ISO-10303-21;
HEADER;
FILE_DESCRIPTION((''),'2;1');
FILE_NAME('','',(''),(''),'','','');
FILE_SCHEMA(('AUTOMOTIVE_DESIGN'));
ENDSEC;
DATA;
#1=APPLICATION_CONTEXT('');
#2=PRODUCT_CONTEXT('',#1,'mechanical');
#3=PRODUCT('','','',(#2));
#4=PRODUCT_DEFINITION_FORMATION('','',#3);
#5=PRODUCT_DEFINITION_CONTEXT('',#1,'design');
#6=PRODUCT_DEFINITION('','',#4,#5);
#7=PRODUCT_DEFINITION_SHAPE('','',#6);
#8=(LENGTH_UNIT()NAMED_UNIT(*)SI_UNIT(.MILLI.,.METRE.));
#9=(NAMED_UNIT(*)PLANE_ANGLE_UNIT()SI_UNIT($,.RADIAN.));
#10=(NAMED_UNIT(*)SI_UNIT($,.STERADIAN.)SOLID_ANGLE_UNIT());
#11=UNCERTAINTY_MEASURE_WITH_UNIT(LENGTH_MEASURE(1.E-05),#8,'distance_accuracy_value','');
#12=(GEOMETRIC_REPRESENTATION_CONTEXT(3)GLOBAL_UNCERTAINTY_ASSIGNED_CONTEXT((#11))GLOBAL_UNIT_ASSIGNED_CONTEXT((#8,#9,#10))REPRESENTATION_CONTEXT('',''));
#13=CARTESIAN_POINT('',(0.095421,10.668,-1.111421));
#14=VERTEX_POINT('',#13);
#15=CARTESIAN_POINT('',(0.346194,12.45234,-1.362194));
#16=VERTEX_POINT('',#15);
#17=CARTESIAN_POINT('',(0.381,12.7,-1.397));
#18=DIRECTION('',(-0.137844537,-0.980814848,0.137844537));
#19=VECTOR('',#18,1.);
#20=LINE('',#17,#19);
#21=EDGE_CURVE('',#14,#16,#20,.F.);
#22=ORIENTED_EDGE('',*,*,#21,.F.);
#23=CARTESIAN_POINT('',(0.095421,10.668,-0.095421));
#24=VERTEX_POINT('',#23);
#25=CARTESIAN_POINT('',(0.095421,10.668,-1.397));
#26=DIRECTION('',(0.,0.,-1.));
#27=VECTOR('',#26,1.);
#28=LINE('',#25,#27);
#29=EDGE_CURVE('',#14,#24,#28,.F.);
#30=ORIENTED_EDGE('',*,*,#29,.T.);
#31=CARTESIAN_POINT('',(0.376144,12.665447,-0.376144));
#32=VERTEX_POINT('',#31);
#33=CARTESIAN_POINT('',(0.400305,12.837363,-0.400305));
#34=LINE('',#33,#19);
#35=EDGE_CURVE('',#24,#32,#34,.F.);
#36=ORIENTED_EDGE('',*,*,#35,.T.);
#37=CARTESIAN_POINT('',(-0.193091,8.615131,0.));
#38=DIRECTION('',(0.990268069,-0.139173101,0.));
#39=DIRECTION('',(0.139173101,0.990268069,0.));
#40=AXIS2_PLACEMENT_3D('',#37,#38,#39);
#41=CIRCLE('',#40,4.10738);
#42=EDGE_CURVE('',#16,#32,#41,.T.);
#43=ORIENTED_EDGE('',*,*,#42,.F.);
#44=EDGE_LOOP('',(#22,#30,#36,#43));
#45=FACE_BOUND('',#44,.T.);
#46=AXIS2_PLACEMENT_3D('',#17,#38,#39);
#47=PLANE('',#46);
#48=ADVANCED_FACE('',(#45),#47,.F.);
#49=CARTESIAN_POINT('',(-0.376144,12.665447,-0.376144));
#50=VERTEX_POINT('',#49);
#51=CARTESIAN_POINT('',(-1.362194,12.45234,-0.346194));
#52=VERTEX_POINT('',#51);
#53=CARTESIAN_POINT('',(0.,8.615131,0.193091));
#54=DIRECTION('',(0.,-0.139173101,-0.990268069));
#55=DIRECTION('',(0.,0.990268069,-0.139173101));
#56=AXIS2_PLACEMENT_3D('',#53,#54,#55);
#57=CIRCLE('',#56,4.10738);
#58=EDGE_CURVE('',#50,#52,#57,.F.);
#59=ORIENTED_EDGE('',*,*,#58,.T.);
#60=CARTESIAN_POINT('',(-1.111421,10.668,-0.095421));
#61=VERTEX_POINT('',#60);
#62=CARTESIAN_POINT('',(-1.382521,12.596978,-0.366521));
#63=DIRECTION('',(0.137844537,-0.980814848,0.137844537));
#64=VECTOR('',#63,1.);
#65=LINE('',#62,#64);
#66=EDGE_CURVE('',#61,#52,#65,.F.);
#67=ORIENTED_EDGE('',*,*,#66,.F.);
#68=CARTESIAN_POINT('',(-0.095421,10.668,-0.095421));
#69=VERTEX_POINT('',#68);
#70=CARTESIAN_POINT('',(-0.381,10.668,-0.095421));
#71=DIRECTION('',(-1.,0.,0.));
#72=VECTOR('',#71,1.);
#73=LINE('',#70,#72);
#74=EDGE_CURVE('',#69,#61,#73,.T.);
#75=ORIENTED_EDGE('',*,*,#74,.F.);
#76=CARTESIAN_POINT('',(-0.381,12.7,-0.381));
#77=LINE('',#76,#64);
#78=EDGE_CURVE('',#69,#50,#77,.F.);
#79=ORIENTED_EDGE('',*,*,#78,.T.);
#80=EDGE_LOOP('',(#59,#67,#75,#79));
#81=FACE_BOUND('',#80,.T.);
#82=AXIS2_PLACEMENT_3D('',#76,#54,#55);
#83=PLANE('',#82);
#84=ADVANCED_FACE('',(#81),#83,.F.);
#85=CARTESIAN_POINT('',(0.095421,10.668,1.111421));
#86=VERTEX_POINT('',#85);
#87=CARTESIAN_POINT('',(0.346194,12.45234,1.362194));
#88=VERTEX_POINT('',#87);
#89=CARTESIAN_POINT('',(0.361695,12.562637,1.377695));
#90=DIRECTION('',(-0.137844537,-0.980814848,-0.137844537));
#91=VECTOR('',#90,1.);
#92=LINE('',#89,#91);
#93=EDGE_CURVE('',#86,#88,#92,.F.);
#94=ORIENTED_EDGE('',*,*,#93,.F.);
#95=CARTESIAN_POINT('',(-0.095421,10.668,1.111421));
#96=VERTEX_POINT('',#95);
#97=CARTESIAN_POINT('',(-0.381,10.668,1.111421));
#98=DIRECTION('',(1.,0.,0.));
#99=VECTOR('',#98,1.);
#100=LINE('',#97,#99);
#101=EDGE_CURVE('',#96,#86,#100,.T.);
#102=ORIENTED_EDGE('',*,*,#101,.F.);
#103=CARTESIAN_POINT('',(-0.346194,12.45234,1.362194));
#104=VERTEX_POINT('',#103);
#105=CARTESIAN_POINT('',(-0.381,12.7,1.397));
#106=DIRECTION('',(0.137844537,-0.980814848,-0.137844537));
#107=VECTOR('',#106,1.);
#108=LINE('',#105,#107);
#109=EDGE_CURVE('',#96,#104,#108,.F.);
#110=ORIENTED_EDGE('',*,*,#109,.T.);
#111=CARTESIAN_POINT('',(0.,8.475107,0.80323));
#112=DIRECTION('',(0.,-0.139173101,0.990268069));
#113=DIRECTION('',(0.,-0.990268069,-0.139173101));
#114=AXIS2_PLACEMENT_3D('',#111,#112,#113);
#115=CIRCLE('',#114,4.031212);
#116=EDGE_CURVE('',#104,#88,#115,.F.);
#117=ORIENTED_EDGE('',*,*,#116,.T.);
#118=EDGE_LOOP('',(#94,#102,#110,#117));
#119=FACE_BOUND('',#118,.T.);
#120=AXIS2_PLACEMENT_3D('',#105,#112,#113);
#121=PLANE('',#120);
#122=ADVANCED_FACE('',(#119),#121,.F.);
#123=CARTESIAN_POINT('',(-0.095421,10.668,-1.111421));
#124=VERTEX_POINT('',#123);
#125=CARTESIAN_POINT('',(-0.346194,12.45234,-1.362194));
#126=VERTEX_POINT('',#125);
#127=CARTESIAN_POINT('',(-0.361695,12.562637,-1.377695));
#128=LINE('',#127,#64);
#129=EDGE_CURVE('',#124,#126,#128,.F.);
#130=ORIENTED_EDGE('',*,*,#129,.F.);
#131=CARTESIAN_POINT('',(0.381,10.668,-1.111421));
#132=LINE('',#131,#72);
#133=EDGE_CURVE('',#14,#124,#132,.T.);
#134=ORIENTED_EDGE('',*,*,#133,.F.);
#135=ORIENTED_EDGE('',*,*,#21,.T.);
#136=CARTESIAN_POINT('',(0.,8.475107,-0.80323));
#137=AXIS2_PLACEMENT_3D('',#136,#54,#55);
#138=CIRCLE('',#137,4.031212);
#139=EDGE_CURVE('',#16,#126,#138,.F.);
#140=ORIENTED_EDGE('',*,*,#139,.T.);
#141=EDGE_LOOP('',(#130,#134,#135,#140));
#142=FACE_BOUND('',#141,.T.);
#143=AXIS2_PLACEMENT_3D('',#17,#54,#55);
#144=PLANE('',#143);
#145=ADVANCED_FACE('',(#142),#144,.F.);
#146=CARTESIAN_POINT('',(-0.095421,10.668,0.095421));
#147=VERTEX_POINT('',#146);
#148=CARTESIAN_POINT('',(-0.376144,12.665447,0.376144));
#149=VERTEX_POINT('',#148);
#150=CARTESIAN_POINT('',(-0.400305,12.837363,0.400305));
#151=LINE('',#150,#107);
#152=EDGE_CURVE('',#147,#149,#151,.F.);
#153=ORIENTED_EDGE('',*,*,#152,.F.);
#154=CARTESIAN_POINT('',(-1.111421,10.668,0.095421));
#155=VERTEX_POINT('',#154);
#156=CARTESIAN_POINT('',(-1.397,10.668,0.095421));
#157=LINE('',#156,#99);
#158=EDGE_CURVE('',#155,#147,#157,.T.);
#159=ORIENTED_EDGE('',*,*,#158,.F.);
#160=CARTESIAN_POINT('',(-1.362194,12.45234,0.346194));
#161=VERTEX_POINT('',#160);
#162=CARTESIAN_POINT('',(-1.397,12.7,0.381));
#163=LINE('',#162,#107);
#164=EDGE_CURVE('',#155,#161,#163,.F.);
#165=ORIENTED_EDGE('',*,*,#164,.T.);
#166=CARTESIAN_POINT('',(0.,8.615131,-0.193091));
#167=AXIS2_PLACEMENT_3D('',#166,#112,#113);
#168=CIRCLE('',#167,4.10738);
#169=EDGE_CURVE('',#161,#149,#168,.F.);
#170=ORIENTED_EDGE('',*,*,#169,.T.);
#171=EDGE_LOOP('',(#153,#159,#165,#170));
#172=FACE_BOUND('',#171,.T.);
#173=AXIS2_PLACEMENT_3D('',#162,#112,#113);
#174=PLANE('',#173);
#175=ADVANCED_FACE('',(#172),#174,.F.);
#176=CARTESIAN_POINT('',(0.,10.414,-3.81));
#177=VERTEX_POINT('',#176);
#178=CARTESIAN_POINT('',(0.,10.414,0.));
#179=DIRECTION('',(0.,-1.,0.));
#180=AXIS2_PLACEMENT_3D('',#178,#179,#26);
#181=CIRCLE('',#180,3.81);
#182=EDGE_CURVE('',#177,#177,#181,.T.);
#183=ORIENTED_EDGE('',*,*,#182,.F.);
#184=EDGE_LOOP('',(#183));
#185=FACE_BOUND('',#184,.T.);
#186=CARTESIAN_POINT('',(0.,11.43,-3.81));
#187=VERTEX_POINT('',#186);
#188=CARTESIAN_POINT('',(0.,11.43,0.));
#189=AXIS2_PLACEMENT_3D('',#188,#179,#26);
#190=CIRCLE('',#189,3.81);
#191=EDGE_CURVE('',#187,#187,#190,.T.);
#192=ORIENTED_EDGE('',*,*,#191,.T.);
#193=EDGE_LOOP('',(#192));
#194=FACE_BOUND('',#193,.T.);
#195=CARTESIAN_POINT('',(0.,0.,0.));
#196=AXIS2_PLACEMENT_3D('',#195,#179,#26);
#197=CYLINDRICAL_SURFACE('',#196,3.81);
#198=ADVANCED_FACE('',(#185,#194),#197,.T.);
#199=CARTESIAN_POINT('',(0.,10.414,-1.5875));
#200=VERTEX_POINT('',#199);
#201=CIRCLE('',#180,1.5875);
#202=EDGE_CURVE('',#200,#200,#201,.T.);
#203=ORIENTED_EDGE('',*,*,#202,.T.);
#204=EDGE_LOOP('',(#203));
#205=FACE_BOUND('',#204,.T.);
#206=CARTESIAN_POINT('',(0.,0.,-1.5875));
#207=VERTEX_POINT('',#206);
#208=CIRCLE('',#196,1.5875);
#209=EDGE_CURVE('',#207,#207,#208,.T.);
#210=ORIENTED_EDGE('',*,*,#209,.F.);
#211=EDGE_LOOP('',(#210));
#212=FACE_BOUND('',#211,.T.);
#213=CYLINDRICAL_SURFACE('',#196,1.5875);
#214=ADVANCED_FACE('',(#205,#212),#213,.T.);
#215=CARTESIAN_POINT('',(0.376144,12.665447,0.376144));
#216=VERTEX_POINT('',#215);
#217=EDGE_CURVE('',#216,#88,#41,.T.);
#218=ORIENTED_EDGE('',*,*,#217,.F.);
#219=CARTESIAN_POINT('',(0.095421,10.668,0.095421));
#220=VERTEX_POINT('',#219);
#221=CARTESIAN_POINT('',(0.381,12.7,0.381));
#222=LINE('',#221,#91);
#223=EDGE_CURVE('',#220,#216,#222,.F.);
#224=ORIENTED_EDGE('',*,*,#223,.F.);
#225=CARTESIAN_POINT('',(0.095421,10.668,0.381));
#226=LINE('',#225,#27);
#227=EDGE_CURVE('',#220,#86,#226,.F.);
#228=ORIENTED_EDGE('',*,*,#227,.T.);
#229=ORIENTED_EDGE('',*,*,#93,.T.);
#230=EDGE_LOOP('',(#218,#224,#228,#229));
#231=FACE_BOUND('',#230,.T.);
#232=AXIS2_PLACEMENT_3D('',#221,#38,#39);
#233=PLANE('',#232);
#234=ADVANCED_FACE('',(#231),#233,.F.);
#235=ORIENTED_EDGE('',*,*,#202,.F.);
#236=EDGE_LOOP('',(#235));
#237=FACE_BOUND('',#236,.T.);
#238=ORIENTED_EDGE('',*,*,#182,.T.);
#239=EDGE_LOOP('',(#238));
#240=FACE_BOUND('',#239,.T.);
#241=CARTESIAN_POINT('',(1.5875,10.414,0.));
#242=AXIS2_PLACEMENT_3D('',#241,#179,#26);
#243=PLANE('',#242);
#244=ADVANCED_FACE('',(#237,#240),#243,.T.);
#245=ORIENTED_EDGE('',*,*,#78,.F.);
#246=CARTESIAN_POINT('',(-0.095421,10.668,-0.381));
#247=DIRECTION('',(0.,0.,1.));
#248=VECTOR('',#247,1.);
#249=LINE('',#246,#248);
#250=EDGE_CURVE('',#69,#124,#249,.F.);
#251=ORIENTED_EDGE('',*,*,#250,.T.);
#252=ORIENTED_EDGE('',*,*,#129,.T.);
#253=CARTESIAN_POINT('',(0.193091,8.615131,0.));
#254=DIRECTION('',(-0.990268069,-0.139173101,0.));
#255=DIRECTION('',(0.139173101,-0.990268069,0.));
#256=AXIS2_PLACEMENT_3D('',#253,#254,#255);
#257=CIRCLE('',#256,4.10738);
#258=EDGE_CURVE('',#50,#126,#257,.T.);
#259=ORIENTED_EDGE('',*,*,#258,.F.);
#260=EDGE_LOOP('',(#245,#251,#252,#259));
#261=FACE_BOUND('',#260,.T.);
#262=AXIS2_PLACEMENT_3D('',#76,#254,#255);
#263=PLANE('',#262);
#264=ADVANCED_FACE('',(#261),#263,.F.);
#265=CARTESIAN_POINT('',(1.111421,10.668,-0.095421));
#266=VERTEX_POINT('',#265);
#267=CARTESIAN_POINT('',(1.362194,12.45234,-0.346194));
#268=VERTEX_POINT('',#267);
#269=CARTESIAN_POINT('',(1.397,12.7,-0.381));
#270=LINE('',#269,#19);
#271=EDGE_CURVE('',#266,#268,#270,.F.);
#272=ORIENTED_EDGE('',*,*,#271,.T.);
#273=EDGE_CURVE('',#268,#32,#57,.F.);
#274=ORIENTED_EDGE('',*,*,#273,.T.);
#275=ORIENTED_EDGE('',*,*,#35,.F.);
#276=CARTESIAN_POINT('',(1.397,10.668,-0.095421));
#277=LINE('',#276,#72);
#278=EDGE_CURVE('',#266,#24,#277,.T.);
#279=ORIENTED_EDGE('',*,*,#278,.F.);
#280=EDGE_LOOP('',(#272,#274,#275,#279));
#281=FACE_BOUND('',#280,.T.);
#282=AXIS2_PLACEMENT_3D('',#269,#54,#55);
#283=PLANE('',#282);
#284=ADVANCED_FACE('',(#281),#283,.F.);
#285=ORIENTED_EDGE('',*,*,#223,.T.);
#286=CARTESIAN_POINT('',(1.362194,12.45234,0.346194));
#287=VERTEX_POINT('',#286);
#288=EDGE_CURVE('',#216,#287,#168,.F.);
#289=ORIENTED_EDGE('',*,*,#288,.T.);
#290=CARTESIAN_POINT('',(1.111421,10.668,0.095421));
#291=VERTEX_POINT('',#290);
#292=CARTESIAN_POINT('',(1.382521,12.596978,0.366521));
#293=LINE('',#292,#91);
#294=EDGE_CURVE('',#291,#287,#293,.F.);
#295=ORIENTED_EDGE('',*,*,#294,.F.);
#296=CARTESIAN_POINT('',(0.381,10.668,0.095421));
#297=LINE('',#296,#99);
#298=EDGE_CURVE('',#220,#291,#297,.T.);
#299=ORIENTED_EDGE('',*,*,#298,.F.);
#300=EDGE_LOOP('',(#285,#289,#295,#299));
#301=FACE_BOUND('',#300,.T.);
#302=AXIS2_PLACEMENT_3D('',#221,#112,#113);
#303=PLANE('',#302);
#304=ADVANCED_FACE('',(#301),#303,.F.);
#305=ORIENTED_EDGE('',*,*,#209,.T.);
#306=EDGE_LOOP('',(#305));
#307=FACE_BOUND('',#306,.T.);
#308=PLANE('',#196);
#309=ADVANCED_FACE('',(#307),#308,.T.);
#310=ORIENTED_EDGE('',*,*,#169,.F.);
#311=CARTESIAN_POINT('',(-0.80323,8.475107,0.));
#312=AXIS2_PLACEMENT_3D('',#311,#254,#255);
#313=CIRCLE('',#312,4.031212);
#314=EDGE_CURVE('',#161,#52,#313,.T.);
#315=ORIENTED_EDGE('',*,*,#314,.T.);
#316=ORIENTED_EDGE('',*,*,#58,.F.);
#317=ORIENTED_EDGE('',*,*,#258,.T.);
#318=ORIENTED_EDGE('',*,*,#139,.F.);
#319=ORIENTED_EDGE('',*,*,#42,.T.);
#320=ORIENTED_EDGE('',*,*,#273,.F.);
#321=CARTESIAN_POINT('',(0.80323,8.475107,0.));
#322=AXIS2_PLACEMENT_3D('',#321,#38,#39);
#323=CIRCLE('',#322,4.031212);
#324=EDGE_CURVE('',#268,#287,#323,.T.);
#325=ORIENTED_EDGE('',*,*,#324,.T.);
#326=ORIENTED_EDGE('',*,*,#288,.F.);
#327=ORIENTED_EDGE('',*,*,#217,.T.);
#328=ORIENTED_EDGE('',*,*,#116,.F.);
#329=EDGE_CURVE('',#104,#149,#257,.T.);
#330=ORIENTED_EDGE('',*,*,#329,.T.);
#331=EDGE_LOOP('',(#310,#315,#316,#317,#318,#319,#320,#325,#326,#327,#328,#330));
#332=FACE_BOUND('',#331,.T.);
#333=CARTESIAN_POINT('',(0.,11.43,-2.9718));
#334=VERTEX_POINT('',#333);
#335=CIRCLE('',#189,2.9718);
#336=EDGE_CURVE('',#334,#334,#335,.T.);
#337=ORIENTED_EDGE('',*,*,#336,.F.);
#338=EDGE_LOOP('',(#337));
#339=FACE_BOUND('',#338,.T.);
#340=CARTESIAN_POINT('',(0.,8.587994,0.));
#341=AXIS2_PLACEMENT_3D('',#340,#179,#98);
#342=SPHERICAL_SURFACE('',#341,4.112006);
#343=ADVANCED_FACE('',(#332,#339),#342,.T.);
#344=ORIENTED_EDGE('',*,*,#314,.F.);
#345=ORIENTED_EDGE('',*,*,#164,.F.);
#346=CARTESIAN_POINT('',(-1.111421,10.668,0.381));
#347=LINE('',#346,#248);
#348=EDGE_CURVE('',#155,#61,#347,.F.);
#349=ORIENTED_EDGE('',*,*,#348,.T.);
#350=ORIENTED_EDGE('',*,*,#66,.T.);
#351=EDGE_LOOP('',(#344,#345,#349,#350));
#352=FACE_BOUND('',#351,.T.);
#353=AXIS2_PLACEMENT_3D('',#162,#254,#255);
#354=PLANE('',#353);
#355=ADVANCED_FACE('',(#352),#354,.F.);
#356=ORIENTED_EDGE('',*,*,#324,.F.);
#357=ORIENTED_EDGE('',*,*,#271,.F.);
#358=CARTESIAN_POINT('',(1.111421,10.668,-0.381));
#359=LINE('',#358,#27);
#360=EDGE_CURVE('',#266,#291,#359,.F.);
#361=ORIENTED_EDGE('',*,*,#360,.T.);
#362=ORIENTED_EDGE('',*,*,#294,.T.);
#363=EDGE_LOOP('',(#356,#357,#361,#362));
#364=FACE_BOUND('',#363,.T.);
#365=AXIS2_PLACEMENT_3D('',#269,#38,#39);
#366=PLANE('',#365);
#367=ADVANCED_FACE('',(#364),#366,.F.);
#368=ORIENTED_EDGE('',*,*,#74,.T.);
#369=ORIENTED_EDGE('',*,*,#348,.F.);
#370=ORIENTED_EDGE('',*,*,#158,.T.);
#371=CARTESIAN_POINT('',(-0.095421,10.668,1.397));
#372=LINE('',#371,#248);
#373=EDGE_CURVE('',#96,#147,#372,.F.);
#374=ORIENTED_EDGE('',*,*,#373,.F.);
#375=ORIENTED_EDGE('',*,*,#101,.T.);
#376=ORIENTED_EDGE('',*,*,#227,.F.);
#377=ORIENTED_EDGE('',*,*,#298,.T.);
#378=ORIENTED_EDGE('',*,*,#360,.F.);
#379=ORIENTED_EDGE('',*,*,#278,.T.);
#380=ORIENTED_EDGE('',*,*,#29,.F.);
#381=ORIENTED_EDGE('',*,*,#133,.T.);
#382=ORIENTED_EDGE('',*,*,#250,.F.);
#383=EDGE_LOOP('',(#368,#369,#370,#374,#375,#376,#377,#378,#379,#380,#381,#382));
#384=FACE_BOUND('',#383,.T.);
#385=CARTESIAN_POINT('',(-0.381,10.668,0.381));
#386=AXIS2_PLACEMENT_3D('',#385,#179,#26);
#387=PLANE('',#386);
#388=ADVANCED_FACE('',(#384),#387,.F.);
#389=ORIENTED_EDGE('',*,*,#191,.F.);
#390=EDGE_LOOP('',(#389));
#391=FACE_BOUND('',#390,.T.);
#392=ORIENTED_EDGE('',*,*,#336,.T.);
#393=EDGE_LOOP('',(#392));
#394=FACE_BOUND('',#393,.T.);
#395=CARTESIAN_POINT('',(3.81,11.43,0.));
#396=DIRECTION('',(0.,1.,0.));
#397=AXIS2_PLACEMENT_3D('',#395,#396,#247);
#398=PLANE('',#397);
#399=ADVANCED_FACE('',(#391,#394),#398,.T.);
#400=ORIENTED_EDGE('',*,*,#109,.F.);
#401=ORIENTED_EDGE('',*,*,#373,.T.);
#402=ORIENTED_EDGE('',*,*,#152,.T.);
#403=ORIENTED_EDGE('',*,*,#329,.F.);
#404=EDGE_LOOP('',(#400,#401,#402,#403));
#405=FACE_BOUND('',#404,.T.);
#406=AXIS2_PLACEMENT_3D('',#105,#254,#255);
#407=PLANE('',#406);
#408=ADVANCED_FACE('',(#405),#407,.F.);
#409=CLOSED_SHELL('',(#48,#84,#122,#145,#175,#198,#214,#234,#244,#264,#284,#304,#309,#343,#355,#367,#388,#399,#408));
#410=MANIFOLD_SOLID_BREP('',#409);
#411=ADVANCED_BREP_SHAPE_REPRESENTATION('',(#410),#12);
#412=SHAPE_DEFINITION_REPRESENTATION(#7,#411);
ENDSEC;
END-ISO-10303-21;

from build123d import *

# Parameters (mm, degrees)
CUT_EXTRUDE1_DEPTH = 2.032
CUT_EXTRUDE1_TAPER = 8


with BuildPart() as part:
    # Sketch1 → Base-Revolve (revolve)
    with BuildSketch(Plane.XY):
        with BuildLine():
            Line((0, 0), (1.5875, 0))
            Line((1.5875, 0), (1.5875, 10.414))
            Line((1.5875, 10.414), (3.81, 10.414))
            Line((3.81, 10.414), (3.81, 11.43))
            Line((3.81, 11.43), (2.9718, 11.43))
            ThreePointArc((2.9718, 11.43), (1.615897215, 12.369193484), (0, 12.7))
            Line((0, 12.7), (0, 0))
        make_face()
    revolve(axis=Axis((0, 0, 0), (0, 1, 0)))

    # Sketch2 → Cut-Extrude1 (cut)
    with BuildSketch(Plane(origin=(0, 12.7, 0), x_dir=(-1, 0, 0), z_dir=(0, 1, 0))):
        Polygon((0.381, 1.397), (-0.381, 1.397), (-0.381, 0.381), (-1.397, 0.381), (-1.397, -0.381), (-0.381, -0.381), (-0.381, -1.397), (0.381, -1.397), (0.381, -0.381), (1.397, -0.381), (1.397, 0.381), (0.381, 0.381), align=None)
    extrude(amount=-CUT_EXTRUDE1_DEPTH, taper=CUT_EXTRUDE1_TAPER, mode=Mode.SUBTRACT)


solid = part.part
